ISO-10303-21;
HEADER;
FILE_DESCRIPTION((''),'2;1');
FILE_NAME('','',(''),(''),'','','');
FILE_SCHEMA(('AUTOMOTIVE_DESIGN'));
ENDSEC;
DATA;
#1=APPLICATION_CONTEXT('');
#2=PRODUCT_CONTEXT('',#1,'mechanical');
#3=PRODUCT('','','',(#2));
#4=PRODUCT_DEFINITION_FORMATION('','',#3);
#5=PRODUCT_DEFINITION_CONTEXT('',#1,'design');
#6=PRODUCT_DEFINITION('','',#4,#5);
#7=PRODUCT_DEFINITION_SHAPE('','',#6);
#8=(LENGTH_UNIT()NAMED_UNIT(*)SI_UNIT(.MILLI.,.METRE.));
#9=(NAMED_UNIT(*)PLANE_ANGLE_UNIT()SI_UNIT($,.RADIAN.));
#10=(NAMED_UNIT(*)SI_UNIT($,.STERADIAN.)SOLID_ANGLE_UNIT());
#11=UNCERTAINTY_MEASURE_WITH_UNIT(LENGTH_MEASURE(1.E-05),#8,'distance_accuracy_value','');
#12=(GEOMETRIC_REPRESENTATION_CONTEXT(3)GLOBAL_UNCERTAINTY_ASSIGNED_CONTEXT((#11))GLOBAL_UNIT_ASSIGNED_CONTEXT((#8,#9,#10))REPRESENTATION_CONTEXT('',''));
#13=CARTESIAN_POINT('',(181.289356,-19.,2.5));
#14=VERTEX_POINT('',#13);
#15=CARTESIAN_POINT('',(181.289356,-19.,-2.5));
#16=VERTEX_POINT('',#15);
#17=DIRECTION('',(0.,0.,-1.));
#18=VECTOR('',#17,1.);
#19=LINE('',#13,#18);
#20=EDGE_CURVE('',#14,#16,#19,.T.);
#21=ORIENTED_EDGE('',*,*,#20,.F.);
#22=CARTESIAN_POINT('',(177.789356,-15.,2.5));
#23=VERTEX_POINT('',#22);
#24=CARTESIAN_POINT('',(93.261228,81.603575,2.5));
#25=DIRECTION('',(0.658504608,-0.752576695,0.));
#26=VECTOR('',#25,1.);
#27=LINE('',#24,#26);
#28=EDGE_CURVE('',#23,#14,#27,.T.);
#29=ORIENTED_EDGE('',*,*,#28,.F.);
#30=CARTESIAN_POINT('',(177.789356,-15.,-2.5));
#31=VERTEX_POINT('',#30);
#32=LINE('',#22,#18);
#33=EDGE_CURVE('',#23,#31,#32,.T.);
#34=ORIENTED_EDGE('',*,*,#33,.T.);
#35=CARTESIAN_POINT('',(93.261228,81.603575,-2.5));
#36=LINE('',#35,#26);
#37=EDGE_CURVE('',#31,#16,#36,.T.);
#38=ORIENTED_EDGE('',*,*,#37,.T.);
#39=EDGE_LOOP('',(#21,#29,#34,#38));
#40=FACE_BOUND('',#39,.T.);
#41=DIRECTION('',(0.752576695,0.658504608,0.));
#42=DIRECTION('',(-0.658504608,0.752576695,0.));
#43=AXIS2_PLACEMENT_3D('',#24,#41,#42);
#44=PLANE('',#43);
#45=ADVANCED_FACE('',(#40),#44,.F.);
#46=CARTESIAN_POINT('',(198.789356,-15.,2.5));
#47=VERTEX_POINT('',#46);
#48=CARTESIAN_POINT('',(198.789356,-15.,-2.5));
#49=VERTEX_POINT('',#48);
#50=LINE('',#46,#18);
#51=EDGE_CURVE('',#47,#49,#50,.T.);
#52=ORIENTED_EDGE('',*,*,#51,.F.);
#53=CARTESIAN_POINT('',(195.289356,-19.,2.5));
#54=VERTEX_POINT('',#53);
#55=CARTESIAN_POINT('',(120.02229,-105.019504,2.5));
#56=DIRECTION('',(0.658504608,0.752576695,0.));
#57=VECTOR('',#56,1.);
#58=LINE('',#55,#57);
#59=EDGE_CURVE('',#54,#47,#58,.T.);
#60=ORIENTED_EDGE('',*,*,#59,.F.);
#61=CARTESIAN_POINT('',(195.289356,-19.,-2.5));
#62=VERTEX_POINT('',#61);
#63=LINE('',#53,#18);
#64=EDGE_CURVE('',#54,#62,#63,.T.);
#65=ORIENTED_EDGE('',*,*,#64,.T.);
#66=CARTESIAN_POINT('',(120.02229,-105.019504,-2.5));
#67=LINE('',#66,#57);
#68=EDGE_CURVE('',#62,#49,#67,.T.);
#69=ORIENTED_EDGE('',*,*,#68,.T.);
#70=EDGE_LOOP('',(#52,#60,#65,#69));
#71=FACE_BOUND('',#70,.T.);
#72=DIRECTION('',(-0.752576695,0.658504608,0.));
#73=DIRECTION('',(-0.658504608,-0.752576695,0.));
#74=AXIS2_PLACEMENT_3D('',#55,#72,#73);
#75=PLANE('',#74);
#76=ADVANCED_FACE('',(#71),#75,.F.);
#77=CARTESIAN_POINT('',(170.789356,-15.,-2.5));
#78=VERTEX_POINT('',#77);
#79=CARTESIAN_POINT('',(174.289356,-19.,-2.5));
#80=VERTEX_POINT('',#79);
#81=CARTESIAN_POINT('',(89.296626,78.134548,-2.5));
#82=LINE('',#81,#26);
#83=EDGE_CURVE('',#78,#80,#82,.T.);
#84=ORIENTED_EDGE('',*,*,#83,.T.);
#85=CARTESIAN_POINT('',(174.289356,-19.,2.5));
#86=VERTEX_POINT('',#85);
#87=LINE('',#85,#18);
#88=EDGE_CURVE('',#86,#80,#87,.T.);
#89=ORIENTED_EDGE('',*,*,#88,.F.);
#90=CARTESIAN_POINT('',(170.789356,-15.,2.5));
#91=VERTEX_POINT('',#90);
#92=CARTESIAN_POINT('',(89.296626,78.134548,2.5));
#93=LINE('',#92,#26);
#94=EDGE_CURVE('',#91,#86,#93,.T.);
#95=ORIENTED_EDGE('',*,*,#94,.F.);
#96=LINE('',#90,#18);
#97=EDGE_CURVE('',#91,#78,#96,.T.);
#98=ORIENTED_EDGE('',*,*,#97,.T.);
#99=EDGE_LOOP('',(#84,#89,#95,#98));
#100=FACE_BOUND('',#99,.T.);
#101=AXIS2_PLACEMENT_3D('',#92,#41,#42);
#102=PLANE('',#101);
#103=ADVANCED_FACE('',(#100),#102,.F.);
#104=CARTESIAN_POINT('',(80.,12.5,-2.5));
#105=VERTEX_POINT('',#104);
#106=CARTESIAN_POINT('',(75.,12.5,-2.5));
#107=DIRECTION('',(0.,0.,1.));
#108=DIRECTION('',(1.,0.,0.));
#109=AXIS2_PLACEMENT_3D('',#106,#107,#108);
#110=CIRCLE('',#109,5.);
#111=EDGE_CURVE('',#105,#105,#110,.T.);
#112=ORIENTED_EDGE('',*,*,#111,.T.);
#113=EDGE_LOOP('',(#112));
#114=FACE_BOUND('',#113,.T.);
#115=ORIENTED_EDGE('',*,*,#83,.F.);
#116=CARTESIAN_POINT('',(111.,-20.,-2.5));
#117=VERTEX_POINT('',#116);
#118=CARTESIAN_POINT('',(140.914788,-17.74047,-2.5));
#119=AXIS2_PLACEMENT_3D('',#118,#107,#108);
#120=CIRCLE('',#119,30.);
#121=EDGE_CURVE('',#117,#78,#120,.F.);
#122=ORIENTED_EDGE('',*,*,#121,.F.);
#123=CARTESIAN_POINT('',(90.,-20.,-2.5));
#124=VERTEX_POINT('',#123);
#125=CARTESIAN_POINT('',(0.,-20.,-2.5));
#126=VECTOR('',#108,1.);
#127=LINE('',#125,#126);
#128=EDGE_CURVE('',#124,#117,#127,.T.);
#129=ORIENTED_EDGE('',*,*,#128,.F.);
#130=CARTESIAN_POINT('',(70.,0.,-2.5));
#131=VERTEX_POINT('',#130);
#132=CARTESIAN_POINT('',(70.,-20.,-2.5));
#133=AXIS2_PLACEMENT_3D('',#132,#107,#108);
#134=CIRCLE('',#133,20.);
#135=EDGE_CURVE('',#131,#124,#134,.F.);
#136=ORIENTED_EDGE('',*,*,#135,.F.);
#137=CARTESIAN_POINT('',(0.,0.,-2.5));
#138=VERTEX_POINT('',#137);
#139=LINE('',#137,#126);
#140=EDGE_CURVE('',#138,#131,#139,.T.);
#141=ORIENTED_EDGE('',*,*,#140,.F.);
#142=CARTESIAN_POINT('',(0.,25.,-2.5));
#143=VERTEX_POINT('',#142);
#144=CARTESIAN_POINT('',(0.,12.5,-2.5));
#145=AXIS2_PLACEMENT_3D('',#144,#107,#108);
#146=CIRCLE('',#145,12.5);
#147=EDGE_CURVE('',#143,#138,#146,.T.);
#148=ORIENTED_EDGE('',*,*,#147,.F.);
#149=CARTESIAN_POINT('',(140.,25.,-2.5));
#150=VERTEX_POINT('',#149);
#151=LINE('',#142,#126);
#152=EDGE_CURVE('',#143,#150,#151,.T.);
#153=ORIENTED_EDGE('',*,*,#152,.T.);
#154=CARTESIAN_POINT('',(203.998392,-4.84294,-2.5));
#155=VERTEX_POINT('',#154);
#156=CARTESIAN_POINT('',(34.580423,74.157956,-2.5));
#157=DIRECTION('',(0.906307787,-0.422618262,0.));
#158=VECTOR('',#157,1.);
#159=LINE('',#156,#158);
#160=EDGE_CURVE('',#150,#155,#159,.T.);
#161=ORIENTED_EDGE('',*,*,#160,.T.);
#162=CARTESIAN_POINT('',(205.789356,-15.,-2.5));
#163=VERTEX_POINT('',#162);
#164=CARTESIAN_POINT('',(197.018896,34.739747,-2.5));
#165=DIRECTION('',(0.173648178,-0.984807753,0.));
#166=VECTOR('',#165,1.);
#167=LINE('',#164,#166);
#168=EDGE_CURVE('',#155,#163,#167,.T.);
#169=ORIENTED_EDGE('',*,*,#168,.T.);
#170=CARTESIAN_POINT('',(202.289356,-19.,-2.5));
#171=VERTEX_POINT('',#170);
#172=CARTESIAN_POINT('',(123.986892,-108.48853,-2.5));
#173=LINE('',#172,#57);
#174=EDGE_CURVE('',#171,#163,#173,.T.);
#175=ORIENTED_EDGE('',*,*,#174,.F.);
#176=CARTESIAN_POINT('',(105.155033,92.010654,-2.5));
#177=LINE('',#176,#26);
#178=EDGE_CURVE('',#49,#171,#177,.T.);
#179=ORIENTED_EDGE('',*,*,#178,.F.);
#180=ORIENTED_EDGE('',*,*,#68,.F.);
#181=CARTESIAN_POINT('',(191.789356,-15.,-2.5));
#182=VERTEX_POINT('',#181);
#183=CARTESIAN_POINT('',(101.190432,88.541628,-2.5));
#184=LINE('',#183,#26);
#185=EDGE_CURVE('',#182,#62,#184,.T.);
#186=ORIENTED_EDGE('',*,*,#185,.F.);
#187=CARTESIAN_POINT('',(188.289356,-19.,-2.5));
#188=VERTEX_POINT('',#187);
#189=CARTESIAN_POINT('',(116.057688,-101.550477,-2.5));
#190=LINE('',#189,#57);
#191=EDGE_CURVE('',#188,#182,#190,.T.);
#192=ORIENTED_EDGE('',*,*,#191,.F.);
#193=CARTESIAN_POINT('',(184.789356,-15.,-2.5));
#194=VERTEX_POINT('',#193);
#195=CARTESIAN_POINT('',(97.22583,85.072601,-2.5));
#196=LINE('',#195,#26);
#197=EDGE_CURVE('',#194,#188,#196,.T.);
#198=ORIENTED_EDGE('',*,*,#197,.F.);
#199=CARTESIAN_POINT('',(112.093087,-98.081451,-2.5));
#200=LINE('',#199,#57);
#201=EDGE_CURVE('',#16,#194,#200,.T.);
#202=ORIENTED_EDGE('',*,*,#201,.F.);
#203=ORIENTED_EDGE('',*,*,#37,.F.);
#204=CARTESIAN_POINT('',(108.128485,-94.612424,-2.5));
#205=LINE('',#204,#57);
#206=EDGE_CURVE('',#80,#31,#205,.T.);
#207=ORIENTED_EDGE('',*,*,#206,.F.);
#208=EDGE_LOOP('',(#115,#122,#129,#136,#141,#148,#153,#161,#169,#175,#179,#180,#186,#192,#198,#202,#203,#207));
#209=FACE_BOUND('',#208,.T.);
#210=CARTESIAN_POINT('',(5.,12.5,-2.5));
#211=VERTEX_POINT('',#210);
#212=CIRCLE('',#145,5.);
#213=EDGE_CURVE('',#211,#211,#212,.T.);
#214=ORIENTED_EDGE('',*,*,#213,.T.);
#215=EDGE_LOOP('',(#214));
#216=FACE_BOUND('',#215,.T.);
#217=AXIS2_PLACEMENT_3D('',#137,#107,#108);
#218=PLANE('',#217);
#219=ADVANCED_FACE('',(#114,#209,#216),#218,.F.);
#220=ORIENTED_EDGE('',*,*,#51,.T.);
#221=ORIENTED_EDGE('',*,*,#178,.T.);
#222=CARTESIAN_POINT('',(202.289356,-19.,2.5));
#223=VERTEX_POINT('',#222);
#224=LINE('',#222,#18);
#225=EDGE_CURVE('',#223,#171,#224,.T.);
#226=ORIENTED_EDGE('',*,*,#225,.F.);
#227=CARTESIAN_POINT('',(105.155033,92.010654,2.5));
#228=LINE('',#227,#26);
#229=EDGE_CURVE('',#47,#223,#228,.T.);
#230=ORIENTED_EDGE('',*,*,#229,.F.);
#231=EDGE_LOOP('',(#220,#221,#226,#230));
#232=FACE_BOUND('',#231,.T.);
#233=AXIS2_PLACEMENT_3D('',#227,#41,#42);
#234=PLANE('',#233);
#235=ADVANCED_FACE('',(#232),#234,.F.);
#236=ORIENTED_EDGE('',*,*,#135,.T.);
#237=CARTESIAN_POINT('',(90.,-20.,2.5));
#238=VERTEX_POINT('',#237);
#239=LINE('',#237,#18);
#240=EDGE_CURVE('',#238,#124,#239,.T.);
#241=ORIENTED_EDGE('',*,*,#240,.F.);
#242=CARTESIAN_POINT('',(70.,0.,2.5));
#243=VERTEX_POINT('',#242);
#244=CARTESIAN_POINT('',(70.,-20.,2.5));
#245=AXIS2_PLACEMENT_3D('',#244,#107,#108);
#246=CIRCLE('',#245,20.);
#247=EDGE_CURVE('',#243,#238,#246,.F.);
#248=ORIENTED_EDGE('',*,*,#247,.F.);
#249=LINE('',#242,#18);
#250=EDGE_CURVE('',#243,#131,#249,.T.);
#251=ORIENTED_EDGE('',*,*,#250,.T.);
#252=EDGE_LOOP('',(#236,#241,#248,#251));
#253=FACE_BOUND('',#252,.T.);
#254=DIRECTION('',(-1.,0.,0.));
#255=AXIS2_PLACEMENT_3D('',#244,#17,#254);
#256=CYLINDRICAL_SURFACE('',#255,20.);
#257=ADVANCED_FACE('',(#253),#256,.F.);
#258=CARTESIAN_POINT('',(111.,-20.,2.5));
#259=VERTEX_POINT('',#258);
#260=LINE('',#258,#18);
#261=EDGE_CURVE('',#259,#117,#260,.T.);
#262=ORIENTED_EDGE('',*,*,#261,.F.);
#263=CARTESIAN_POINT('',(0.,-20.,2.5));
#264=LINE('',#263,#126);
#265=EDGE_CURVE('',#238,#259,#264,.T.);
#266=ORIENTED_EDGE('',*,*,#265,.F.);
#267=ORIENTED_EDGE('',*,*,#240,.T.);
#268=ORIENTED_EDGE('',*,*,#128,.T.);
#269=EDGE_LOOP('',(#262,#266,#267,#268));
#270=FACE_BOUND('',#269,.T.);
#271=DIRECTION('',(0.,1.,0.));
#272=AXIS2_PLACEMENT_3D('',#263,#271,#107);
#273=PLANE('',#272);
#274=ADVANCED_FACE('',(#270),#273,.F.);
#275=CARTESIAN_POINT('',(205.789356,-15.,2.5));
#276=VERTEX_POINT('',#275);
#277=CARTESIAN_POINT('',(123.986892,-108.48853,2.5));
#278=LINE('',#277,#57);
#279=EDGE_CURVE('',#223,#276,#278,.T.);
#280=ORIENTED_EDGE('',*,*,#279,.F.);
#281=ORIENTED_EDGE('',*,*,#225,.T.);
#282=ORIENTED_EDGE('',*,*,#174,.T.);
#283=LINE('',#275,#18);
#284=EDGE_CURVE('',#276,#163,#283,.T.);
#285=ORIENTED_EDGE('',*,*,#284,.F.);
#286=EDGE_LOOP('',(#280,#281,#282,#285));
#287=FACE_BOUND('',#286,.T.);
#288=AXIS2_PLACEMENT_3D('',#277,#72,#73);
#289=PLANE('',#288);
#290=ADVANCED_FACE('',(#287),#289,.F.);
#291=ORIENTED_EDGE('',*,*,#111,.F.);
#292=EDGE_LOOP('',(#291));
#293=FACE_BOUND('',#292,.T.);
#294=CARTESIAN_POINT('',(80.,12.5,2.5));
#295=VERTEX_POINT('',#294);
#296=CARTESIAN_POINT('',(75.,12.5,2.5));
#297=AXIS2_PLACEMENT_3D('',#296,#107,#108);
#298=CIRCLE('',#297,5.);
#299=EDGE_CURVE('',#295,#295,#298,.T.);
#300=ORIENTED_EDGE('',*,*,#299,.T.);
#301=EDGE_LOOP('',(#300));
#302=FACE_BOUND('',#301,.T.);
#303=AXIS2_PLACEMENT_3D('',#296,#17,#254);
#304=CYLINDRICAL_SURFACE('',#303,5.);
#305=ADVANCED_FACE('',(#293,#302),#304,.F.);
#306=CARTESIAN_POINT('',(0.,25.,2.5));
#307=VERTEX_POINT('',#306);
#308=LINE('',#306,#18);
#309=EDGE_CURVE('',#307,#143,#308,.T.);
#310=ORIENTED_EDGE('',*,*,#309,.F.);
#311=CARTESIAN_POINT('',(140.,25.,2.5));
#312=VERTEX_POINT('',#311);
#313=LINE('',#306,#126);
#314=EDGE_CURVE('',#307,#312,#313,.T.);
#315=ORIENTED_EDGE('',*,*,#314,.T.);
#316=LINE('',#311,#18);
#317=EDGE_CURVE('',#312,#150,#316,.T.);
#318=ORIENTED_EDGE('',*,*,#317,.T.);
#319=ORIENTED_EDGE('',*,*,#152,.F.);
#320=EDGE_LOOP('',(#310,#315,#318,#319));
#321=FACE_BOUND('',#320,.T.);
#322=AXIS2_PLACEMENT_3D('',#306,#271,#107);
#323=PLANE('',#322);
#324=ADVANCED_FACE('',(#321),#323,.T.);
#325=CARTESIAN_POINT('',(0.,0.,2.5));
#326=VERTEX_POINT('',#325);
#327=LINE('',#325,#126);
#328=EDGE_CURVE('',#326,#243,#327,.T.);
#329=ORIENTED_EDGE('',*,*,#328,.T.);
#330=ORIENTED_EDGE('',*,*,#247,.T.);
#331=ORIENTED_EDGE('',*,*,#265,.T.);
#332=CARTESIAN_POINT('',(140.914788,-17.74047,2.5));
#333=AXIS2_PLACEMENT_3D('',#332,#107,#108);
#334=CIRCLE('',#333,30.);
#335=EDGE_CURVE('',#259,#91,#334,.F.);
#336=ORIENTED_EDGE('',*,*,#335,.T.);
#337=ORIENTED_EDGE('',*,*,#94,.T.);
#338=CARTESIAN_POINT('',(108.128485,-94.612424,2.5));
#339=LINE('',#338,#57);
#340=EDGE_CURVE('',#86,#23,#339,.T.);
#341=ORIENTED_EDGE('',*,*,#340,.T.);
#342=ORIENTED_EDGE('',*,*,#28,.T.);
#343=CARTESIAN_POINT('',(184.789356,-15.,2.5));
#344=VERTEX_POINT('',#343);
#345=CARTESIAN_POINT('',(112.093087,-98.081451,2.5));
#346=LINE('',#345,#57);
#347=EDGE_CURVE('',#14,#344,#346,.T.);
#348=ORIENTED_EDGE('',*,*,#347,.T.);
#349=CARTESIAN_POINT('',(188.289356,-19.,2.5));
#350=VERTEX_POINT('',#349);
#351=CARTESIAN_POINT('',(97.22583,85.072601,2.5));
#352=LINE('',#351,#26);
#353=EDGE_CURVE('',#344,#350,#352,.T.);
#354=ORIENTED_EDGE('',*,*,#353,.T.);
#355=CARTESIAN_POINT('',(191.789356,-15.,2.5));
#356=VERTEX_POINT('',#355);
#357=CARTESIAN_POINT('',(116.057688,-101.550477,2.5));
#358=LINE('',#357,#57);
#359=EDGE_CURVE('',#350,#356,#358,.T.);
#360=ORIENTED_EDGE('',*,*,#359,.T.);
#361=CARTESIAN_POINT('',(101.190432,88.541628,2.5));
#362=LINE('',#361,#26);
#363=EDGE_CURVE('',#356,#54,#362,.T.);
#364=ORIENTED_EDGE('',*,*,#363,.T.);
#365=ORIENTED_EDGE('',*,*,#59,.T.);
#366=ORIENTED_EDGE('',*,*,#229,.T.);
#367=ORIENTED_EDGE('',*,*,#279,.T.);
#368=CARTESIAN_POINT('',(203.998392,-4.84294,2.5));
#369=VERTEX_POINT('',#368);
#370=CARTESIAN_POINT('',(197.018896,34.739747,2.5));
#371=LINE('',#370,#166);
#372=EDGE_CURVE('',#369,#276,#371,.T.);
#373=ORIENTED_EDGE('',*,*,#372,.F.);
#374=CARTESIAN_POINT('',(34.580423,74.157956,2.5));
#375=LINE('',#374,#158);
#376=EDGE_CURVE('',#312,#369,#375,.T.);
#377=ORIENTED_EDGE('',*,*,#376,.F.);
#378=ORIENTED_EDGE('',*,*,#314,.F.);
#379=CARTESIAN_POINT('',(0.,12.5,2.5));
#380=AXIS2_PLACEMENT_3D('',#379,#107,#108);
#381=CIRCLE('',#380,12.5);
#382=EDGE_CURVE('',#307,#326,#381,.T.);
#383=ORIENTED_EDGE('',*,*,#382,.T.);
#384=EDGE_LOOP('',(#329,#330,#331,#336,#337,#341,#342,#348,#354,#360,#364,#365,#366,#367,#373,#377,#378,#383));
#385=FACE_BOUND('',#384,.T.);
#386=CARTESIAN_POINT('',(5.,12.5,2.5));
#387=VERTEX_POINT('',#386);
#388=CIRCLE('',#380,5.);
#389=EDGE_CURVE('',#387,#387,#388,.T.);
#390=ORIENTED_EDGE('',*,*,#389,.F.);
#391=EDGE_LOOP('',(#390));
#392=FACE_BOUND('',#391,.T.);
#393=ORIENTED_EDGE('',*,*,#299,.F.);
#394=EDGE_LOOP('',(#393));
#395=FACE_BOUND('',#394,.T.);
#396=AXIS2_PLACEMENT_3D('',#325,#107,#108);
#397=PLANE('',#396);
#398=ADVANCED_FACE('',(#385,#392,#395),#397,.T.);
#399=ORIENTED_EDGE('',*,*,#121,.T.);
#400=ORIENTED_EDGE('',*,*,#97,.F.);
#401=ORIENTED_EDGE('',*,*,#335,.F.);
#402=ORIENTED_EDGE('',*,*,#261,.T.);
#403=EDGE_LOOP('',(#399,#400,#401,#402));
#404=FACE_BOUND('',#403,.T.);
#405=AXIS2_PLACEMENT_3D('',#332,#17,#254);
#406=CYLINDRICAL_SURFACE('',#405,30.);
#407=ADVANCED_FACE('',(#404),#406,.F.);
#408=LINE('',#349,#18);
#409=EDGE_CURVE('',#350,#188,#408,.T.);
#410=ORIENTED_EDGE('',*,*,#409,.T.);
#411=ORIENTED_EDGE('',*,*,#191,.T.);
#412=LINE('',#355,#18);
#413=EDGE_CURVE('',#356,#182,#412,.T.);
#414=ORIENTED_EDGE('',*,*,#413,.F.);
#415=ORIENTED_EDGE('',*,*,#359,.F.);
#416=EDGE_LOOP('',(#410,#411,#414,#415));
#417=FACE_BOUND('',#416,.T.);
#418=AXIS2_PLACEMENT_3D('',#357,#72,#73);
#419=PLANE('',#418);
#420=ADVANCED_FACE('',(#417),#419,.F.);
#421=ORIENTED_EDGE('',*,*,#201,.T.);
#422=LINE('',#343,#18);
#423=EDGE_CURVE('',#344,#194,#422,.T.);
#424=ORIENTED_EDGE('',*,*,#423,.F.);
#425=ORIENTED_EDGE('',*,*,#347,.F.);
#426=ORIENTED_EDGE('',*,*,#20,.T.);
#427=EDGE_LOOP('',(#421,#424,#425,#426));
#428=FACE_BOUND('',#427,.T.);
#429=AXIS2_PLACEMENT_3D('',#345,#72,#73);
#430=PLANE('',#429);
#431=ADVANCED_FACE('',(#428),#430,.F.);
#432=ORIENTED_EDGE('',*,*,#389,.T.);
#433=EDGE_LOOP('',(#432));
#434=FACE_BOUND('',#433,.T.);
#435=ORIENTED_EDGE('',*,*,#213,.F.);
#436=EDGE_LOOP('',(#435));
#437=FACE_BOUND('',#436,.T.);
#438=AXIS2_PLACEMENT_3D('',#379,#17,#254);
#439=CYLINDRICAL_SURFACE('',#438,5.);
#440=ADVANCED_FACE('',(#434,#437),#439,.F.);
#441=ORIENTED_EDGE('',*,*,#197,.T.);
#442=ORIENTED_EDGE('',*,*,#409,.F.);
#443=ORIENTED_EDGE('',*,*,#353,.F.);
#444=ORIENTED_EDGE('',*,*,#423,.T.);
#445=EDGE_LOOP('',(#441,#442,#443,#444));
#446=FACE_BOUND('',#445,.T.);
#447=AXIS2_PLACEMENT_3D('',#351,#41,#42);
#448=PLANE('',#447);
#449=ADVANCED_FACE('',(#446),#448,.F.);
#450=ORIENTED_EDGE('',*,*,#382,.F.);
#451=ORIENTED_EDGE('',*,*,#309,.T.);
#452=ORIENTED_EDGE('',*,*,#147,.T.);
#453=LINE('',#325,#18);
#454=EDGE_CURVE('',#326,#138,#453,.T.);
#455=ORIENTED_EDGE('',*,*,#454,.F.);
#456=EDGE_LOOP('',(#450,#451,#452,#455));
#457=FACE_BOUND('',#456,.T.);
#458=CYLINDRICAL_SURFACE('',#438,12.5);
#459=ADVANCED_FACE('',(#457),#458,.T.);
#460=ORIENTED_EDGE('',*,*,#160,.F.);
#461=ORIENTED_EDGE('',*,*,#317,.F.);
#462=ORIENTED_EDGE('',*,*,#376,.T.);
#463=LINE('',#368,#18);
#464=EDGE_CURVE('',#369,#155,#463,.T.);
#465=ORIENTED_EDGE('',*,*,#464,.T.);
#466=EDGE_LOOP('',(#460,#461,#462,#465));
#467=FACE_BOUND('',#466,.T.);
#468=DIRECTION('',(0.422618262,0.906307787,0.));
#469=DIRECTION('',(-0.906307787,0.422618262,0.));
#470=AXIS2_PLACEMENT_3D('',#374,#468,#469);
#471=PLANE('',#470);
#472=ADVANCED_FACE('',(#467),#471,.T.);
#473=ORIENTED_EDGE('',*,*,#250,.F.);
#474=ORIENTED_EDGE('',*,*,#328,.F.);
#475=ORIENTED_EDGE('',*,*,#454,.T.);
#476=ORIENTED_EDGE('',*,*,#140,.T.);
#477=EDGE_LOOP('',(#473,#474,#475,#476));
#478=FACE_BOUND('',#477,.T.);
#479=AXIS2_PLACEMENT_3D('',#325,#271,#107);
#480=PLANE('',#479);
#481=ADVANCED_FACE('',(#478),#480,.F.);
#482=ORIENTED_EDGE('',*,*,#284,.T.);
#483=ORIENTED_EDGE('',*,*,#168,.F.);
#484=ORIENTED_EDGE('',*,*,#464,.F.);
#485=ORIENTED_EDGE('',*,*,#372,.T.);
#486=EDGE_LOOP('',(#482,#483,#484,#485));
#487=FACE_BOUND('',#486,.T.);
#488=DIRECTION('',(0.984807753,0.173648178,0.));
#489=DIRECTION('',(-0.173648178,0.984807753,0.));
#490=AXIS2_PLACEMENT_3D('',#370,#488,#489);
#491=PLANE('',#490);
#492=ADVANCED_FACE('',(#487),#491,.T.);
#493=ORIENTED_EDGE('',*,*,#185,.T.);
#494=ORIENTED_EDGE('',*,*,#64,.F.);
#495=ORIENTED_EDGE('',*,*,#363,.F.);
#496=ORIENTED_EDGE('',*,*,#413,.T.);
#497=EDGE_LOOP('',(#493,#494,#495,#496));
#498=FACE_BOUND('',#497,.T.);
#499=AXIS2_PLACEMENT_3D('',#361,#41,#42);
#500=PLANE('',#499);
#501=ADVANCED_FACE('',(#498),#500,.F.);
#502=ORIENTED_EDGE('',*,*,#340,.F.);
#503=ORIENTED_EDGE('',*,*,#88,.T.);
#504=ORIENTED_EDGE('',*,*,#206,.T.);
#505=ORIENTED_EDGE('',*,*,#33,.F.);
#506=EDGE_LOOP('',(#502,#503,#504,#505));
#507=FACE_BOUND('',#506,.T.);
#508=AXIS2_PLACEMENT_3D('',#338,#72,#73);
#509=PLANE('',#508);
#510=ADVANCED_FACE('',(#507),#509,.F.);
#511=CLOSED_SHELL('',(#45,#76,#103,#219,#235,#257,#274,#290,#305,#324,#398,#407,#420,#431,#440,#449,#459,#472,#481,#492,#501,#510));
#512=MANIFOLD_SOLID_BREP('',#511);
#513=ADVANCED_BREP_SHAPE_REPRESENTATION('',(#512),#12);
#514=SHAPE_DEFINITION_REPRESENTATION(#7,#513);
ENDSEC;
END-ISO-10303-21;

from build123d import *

# Parameters (mm, degrees)
SKETCH1_R           = 5
BOSS_EXTRUDE1_DEPTH = 2.5


with BuildPart() as part:
    # Sketch1 → Boss-Extrude1 (new, symmetric)
    with BuildSketch(Plane.XY):
        with BuildLine():
            Line((0, 25), (140, 25))
            Line((140, 25), (203.998392257, -4.842940419))
            Line((203.998392257, -4.842940419), (205.789355906, -15))
            Line((205.789355906, -15), (202.289355906, -19))
            Line((202.289355906, -19), (198.789355906, -15))
            Line((198.789355906, -15), (195.289355906, -19))
            Line((195.289355906, -19), (191.789355906, -15))
            Line((191.789355906, -15), (188.289355906, -19))
            Line((188.289355906, -19), (184.789355906, -15))
            Line((184.789355906, -15), (181.289355906, -19))
            Line((181.289355906, -19), (177.789355906, -15))
            Line((177.789355906, -15), (174.289355906, -19))
            Line((174.289355906, -19), (170.789355906, -15))
            ThreePointArc((170.789355906, -15), (138.414706816, 12.155175392), (111, -20))
            Line((111, -20), (90, -20))
            ThreePointArc((90, -20), (84.142135624, -5.857864376), (70, 0))
            Line((70, 0), (0, 0))
            ThreePointArc((0, 0), (-12.5, 12.5), (0, 25))
        make_face()
        with Locations((75, 12.5)):
            Circle(SKETCH1_R, mode=Mode.SUBTRACT)
        with Locations((0, 12.5)):
            Circle(SKETCH1_R, mode=Mode.SUBTRACT)
    extrude(amount=BOSS_EXTRUDE1_DEPTH, both=True)


solid = part.part
